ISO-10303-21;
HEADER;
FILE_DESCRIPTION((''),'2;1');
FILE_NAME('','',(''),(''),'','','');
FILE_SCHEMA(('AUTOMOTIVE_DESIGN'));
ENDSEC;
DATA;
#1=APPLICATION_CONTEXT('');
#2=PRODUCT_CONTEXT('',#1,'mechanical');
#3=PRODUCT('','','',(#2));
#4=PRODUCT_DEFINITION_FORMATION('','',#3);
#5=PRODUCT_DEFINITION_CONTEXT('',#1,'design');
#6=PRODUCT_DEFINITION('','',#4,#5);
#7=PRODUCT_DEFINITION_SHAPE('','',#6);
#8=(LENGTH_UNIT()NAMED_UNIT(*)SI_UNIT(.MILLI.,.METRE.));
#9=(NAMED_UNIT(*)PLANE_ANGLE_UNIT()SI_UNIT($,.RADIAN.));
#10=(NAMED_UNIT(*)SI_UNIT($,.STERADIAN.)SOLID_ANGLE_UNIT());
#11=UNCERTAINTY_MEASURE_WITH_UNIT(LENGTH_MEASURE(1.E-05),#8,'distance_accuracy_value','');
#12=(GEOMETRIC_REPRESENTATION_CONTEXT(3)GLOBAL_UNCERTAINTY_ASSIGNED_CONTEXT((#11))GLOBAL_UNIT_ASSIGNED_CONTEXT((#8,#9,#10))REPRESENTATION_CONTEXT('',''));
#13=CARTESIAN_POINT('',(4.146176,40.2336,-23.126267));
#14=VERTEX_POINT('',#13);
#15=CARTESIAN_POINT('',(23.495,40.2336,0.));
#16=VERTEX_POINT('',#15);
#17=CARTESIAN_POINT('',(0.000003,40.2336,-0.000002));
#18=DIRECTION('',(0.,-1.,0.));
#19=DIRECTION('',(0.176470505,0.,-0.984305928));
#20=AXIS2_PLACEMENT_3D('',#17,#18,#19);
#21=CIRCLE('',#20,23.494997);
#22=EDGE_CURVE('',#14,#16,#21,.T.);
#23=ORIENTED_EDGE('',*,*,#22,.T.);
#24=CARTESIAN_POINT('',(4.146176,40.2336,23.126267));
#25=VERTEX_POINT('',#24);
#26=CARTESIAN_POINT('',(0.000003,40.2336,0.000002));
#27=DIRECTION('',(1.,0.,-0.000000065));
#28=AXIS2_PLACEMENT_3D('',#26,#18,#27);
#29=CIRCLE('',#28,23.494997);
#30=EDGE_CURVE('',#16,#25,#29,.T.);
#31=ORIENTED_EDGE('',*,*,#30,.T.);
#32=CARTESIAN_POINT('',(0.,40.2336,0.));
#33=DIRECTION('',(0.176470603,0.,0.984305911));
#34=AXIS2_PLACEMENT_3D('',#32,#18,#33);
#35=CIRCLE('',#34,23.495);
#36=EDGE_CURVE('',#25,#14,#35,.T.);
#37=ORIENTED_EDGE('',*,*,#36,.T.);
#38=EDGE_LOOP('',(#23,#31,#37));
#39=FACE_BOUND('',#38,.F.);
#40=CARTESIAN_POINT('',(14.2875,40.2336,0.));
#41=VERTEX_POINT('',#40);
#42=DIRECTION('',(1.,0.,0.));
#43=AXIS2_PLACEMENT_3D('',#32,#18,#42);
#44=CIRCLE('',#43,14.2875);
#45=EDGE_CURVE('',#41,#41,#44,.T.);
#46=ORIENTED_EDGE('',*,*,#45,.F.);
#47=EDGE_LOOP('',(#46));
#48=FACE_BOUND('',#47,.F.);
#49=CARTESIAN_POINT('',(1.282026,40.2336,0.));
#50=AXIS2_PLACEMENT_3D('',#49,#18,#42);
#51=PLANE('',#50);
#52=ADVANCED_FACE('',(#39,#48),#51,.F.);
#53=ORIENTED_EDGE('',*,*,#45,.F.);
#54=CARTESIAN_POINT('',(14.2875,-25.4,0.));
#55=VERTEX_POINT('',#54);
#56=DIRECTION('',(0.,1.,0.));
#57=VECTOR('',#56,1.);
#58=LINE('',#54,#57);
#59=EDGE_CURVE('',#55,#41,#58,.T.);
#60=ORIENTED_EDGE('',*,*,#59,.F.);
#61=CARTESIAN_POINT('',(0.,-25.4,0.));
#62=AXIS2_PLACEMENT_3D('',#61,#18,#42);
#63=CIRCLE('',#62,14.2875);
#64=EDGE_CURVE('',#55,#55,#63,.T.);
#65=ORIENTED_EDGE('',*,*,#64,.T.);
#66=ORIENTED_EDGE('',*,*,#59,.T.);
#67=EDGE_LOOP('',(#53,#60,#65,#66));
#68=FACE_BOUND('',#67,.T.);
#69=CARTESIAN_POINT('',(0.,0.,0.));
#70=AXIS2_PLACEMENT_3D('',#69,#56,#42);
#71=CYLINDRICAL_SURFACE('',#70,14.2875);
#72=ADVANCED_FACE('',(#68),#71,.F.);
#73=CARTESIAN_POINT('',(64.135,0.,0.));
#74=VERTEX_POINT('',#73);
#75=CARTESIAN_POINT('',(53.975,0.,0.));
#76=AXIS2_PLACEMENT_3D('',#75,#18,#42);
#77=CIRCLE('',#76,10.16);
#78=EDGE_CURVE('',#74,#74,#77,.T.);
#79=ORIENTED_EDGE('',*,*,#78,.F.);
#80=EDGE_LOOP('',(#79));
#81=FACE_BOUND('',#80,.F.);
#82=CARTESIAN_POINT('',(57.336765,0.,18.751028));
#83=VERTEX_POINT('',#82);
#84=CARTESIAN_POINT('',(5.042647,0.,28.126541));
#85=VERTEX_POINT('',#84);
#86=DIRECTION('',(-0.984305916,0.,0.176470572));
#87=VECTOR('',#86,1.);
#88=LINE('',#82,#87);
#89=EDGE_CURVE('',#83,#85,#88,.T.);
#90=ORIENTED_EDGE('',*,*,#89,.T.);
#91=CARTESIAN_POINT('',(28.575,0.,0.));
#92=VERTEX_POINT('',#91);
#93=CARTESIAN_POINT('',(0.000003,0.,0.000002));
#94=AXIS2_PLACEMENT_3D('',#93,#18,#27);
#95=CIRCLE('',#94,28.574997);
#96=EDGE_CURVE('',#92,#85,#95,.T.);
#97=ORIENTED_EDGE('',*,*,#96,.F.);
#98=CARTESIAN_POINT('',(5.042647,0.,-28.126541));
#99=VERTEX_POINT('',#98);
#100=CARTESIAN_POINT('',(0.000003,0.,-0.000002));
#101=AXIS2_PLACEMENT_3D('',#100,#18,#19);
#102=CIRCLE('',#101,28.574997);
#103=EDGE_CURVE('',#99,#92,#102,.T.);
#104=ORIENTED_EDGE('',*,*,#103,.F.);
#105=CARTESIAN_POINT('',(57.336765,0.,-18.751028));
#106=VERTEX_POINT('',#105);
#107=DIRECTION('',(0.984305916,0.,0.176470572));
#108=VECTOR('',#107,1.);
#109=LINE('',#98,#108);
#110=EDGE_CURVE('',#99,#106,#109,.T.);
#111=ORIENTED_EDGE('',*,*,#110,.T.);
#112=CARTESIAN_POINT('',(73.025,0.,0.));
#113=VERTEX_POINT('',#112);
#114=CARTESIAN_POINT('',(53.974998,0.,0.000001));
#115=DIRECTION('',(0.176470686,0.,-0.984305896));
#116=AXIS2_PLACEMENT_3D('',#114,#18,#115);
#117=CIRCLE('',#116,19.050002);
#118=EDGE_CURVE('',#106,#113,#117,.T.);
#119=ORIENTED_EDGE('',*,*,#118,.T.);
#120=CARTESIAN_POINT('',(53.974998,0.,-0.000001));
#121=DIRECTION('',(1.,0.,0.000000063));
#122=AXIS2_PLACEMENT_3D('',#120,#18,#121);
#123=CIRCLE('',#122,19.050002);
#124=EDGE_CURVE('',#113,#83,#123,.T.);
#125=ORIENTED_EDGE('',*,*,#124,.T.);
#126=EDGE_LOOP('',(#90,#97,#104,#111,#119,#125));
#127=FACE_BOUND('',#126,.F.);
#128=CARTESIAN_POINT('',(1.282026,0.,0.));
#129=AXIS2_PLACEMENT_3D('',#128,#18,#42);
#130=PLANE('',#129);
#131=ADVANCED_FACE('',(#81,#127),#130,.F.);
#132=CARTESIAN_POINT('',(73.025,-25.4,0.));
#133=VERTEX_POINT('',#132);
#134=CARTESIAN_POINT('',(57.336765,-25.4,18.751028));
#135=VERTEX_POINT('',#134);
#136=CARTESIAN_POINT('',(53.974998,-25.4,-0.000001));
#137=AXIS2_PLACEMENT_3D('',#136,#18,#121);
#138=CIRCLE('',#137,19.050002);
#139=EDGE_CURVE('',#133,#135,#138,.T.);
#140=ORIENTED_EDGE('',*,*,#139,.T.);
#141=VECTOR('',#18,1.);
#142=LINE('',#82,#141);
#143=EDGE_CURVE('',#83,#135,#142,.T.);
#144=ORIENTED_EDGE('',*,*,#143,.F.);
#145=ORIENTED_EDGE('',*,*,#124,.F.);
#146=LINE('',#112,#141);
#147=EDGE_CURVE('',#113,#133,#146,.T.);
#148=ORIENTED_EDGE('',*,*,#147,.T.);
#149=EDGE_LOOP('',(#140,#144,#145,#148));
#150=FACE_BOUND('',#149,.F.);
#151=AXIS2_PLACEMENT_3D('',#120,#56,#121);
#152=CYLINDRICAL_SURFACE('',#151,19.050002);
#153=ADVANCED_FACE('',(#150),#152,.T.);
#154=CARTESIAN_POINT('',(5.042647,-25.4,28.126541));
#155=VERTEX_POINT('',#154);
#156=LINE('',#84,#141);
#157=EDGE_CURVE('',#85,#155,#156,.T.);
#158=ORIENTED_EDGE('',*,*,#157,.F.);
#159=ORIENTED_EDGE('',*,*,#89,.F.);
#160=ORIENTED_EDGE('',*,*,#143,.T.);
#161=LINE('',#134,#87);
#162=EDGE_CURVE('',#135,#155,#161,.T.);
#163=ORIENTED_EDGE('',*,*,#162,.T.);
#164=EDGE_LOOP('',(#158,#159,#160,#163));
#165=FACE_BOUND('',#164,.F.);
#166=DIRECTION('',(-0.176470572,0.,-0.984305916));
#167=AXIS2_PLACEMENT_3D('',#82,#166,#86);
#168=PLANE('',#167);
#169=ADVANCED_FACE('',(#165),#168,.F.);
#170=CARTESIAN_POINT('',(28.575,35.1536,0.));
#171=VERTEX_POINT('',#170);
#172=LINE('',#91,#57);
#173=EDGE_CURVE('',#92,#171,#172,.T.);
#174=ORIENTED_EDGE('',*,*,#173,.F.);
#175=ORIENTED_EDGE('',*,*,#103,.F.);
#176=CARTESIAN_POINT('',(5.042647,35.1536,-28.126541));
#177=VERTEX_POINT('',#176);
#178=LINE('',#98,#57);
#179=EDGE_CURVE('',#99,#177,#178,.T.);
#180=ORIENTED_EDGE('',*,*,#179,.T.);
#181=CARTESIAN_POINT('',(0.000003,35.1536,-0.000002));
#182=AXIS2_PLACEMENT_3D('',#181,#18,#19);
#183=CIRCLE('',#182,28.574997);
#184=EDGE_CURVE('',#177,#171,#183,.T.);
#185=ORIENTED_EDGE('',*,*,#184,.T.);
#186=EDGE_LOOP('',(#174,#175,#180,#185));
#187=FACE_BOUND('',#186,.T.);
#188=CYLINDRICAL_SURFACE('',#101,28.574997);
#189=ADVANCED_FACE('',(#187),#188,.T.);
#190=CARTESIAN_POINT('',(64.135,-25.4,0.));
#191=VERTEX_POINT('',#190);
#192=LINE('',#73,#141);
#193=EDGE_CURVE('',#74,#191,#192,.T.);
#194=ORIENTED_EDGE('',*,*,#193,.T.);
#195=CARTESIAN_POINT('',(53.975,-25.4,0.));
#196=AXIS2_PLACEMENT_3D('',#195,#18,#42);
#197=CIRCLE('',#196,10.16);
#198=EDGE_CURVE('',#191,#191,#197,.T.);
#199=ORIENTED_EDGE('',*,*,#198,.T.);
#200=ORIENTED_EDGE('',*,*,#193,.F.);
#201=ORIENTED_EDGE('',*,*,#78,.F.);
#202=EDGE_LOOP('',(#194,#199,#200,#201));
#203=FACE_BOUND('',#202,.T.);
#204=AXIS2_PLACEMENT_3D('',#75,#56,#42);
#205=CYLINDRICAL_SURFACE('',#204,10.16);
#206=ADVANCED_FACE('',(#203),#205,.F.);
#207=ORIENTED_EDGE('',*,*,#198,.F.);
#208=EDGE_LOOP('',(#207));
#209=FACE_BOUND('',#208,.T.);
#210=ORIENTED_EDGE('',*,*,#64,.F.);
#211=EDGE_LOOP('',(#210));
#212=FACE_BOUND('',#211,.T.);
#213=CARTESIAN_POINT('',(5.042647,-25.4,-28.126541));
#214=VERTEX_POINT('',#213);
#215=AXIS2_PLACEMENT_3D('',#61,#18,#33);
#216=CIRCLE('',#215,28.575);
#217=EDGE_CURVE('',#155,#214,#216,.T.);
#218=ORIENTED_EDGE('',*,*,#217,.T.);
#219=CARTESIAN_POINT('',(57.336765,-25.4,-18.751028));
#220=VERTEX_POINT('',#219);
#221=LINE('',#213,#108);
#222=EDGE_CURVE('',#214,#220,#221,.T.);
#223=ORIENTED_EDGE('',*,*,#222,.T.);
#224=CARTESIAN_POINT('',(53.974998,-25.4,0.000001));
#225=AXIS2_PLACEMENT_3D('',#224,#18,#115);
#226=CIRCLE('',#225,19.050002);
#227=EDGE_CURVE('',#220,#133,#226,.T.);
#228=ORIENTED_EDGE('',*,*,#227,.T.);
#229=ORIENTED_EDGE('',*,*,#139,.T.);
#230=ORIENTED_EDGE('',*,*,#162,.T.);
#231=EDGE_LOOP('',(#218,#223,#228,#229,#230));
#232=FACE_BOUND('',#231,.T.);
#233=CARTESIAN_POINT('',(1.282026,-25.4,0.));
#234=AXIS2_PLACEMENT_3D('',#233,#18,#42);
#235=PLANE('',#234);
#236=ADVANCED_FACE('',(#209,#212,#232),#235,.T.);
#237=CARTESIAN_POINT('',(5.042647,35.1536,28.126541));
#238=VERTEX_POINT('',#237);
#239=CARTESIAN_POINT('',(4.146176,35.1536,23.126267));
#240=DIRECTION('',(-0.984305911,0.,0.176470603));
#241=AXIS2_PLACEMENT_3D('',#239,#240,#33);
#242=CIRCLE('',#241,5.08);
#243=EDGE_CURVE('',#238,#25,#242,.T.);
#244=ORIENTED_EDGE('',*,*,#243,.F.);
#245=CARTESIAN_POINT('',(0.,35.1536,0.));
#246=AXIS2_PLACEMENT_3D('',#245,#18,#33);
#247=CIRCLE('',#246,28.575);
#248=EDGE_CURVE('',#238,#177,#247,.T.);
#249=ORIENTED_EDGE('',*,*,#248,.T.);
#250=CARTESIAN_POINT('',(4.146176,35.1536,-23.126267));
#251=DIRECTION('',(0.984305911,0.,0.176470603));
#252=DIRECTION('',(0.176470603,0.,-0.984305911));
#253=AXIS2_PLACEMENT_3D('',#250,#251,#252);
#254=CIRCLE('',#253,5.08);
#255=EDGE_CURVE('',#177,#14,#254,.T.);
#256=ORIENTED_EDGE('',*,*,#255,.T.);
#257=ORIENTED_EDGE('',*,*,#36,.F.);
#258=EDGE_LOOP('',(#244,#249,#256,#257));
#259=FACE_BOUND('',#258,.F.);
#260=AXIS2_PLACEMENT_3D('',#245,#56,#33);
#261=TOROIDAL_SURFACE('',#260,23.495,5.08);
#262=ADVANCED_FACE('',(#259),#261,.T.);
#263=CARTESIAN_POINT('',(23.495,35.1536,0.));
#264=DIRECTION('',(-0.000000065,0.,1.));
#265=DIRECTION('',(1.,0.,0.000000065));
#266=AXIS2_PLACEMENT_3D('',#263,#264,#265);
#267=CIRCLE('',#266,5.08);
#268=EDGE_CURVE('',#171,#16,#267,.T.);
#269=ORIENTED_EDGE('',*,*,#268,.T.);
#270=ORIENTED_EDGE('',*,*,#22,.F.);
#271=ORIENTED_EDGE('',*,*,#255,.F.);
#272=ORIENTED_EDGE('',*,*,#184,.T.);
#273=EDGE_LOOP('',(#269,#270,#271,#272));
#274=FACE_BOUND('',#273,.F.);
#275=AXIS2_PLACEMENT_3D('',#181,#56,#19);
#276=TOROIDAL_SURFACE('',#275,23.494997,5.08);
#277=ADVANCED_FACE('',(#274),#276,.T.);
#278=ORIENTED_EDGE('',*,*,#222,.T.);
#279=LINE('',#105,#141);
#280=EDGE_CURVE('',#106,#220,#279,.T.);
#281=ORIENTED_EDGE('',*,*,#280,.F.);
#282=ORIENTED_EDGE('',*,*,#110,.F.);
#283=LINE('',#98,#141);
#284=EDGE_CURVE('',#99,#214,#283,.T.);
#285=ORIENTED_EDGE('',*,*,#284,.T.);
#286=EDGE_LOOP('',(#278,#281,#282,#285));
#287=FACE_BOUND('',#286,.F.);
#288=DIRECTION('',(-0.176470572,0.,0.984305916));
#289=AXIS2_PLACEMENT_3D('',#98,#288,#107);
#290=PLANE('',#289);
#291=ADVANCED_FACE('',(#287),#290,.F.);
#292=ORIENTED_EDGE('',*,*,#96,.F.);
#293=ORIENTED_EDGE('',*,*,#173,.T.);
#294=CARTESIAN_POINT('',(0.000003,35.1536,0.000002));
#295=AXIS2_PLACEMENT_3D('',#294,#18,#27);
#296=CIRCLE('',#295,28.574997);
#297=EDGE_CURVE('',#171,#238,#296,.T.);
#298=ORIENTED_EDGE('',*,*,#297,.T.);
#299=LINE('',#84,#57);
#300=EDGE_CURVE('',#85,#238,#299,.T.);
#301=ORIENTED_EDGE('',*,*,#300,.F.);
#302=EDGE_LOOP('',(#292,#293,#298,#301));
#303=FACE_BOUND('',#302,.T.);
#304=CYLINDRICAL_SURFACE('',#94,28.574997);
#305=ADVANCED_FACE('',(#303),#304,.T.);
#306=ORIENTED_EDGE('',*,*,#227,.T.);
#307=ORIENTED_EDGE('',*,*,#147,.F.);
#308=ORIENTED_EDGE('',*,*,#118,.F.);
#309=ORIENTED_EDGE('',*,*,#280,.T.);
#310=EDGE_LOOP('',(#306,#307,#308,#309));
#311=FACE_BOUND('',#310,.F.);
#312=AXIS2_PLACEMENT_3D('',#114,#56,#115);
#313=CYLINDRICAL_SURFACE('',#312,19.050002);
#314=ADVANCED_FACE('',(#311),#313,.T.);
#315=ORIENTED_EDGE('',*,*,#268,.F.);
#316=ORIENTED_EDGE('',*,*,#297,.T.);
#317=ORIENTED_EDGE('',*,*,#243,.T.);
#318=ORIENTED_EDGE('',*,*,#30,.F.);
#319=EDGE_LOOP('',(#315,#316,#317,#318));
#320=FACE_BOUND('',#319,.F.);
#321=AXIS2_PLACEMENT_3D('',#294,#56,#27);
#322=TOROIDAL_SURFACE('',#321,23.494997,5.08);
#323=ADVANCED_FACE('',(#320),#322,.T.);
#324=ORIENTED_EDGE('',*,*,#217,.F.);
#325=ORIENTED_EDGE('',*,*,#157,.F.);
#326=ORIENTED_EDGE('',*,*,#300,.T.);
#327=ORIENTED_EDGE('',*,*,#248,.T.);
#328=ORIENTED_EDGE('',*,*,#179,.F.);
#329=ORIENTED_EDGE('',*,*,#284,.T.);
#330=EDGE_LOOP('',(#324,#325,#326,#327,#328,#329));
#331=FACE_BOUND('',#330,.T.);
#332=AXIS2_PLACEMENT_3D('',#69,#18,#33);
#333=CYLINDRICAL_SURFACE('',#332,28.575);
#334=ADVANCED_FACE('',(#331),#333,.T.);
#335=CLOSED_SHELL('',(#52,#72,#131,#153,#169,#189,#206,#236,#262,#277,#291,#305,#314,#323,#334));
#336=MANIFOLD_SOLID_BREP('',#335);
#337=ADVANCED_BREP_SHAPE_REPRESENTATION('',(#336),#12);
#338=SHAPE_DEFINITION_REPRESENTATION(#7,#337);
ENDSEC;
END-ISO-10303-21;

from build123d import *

# Parameters (mm, degrees)
F0_R     = 14.2875
F0_R_2   = 10.16
F1_DEPTH = 25.4
F2_DEPTH = 40.2336
F3_R     = 5.08


with BuildPart() as f1:
    # F0 (on Front) → F1 (new body)
    with BuildSketch(Plane.XZ):
        with BuildLine():
            ThreePointArc((5.042647, -28.126541), (21.916025, -18.336262), (28.575, 0))
            ThreePointArc((28.575, 0), (21.916025, 18.336262), (5.042647, 28.126541))
            ThreePointArc((5.042647, 28.126541), (-28.575, 0), (5.042647, -28.126541))
        make_face()
        Circle(F0_R, mode=Mode.SUBTRACT)
        with BuildLine():
            ThreePointArc((5.042647, 28.126541), (21.916025, 18.336262), (28.575, 0))
            ThreePointArc((28.575, 0), (21.916025, -18.336262), (5.042647, -28.126541))
            Line((5.042647, -28.126541), (57.336765, -18.751028))
            ThreePointArc((57.336765, -18.751028), (34.925, 0), (57.336765, 18.751028))
            Line((57.336765, 18.751028), (5.042647, 28.126541))
        make_face()
        with BuildLine():
            ThreePointArc((73.025, 0), (68.585683, 12.224174), (57.336765, 18.751028))
            ThreePointArc((57.336765, 18.751028), (34.925, 0), (57.336765, -18.751028))
            ThreePointArc((57.336765, -18.751028), (68.585683, -12.224174), (73.025, 0))
        make_face()
        with Locations((53.975, 0)):
            Circle(F0_R_2, mode=Mode.SUBTRACT)
    extrude(amount=F1_DEPTH)

    # F0 (on Front) → F2 (join)
    with BuildSketch(Plane.XZ):
        with BuildLine():
            ThreePointArc((5.042647, -28.126541), (21.916025, -18.336262), (28.575, 0))
            ThreePointArc((28.575, 0), (21.916025, 18.336262), (5.042647, 28.126541))
            ThreePointArc((5.042647, 28.126541), (-28.575, 0), (5.042647, -28.126541))
        make_face()
        Circle(F0_R, mode=Mode.SUBTRACT)
    extrude(amount=-F2_DEPTH)

    # F3
    f3_edges = [f1.edges().sort_by_distance(p)[0] for p in [
        (-5.042647, 40.2336, 28.126541),
    ]]
    fillet(f3_edges, radius=F3_R)


solid = f1.part
